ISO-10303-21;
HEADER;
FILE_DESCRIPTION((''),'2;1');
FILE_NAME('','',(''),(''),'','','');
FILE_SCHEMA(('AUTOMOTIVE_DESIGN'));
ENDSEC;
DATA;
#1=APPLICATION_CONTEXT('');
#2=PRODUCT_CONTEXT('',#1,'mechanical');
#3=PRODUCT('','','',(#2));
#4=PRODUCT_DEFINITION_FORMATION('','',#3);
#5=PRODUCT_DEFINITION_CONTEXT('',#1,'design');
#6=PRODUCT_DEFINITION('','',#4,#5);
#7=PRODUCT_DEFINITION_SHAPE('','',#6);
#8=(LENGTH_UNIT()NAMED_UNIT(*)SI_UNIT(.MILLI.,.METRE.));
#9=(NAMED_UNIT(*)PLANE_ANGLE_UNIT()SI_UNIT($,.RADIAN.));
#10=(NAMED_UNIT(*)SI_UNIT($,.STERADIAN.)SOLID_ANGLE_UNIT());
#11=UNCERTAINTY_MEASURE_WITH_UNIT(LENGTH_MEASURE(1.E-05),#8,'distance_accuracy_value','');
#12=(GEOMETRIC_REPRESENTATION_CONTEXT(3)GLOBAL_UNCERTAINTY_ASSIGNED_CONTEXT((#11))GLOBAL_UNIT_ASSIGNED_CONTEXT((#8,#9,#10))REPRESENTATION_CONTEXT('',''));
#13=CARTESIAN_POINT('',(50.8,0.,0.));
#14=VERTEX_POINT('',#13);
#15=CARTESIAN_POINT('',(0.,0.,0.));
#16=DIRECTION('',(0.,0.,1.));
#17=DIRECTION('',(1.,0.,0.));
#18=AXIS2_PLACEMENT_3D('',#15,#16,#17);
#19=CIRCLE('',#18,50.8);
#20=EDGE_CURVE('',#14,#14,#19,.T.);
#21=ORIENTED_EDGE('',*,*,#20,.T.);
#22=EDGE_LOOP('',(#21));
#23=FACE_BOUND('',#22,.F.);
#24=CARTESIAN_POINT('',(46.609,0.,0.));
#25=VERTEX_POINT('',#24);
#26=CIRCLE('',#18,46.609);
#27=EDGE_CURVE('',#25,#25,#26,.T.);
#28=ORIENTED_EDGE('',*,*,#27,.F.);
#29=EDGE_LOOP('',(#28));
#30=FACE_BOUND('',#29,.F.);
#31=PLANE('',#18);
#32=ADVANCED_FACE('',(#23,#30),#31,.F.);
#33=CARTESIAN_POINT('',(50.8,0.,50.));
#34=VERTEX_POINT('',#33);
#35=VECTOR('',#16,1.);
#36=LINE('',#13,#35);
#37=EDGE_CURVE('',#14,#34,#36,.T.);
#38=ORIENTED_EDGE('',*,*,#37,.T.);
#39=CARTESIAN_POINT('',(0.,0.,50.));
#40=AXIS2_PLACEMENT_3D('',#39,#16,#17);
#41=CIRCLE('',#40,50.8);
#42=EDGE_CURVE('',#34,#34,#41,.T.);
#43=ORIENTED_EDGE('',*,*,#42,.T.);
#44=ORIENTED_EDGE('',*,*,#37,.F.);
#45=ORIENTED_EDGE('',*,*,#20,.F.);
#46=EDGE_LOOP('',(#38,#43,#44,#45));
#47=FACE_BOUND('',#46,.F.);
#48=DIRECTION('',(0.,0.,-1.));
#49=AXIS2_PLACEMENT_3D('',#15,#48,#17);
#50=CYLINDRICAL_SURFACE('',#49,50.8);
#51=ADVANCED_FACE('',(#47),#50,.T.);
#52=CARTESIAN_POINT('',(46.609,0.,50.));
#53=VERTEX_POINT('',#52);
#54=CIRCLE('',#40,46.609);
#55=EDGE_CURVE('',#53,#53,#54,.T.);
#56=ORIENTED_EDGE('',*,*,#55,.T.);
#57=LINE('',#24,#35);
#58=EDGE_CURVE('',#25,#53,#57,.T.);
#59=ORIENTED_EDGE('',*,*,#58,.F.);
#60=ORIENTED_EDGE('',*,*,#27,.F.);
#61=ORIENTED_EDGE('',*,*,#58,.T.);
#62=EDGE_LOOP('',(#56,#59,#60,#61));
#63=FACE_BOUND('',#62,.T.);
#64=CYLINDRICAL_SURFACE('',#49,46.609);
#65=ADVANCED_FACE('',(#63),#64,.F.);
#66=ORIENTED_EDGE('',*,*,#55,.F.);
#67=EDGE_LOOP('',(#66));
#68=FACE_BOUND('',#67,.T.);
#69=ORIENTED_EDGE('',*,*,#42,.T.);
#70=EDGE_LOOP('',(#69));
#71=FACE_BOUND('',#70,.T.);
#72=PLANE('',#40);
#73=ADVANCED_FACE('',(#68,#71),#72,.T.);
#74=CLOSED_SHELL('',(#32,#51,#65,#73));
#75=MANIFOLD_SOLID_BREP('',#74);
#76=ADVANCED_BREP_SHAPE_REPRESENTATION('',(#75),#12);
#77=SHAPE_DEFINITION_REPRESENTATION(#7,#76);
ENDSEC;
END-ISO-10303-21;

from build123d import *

# Parameters (mm, degrees)
F0_R     = 50.8
F0_R_2   = 46.609
F1_DEPTH = 50


with BuildPart() as f1:
    # F0 (on Top) → F1 (new body)
    with BuildSketch(Plane.XY):
        Circle(F0_R)
        Circle(F0_R_2, mode=Mode.SUBTRACT)
    extrude(amount=F1_DEPTH)


solid = f1.part
